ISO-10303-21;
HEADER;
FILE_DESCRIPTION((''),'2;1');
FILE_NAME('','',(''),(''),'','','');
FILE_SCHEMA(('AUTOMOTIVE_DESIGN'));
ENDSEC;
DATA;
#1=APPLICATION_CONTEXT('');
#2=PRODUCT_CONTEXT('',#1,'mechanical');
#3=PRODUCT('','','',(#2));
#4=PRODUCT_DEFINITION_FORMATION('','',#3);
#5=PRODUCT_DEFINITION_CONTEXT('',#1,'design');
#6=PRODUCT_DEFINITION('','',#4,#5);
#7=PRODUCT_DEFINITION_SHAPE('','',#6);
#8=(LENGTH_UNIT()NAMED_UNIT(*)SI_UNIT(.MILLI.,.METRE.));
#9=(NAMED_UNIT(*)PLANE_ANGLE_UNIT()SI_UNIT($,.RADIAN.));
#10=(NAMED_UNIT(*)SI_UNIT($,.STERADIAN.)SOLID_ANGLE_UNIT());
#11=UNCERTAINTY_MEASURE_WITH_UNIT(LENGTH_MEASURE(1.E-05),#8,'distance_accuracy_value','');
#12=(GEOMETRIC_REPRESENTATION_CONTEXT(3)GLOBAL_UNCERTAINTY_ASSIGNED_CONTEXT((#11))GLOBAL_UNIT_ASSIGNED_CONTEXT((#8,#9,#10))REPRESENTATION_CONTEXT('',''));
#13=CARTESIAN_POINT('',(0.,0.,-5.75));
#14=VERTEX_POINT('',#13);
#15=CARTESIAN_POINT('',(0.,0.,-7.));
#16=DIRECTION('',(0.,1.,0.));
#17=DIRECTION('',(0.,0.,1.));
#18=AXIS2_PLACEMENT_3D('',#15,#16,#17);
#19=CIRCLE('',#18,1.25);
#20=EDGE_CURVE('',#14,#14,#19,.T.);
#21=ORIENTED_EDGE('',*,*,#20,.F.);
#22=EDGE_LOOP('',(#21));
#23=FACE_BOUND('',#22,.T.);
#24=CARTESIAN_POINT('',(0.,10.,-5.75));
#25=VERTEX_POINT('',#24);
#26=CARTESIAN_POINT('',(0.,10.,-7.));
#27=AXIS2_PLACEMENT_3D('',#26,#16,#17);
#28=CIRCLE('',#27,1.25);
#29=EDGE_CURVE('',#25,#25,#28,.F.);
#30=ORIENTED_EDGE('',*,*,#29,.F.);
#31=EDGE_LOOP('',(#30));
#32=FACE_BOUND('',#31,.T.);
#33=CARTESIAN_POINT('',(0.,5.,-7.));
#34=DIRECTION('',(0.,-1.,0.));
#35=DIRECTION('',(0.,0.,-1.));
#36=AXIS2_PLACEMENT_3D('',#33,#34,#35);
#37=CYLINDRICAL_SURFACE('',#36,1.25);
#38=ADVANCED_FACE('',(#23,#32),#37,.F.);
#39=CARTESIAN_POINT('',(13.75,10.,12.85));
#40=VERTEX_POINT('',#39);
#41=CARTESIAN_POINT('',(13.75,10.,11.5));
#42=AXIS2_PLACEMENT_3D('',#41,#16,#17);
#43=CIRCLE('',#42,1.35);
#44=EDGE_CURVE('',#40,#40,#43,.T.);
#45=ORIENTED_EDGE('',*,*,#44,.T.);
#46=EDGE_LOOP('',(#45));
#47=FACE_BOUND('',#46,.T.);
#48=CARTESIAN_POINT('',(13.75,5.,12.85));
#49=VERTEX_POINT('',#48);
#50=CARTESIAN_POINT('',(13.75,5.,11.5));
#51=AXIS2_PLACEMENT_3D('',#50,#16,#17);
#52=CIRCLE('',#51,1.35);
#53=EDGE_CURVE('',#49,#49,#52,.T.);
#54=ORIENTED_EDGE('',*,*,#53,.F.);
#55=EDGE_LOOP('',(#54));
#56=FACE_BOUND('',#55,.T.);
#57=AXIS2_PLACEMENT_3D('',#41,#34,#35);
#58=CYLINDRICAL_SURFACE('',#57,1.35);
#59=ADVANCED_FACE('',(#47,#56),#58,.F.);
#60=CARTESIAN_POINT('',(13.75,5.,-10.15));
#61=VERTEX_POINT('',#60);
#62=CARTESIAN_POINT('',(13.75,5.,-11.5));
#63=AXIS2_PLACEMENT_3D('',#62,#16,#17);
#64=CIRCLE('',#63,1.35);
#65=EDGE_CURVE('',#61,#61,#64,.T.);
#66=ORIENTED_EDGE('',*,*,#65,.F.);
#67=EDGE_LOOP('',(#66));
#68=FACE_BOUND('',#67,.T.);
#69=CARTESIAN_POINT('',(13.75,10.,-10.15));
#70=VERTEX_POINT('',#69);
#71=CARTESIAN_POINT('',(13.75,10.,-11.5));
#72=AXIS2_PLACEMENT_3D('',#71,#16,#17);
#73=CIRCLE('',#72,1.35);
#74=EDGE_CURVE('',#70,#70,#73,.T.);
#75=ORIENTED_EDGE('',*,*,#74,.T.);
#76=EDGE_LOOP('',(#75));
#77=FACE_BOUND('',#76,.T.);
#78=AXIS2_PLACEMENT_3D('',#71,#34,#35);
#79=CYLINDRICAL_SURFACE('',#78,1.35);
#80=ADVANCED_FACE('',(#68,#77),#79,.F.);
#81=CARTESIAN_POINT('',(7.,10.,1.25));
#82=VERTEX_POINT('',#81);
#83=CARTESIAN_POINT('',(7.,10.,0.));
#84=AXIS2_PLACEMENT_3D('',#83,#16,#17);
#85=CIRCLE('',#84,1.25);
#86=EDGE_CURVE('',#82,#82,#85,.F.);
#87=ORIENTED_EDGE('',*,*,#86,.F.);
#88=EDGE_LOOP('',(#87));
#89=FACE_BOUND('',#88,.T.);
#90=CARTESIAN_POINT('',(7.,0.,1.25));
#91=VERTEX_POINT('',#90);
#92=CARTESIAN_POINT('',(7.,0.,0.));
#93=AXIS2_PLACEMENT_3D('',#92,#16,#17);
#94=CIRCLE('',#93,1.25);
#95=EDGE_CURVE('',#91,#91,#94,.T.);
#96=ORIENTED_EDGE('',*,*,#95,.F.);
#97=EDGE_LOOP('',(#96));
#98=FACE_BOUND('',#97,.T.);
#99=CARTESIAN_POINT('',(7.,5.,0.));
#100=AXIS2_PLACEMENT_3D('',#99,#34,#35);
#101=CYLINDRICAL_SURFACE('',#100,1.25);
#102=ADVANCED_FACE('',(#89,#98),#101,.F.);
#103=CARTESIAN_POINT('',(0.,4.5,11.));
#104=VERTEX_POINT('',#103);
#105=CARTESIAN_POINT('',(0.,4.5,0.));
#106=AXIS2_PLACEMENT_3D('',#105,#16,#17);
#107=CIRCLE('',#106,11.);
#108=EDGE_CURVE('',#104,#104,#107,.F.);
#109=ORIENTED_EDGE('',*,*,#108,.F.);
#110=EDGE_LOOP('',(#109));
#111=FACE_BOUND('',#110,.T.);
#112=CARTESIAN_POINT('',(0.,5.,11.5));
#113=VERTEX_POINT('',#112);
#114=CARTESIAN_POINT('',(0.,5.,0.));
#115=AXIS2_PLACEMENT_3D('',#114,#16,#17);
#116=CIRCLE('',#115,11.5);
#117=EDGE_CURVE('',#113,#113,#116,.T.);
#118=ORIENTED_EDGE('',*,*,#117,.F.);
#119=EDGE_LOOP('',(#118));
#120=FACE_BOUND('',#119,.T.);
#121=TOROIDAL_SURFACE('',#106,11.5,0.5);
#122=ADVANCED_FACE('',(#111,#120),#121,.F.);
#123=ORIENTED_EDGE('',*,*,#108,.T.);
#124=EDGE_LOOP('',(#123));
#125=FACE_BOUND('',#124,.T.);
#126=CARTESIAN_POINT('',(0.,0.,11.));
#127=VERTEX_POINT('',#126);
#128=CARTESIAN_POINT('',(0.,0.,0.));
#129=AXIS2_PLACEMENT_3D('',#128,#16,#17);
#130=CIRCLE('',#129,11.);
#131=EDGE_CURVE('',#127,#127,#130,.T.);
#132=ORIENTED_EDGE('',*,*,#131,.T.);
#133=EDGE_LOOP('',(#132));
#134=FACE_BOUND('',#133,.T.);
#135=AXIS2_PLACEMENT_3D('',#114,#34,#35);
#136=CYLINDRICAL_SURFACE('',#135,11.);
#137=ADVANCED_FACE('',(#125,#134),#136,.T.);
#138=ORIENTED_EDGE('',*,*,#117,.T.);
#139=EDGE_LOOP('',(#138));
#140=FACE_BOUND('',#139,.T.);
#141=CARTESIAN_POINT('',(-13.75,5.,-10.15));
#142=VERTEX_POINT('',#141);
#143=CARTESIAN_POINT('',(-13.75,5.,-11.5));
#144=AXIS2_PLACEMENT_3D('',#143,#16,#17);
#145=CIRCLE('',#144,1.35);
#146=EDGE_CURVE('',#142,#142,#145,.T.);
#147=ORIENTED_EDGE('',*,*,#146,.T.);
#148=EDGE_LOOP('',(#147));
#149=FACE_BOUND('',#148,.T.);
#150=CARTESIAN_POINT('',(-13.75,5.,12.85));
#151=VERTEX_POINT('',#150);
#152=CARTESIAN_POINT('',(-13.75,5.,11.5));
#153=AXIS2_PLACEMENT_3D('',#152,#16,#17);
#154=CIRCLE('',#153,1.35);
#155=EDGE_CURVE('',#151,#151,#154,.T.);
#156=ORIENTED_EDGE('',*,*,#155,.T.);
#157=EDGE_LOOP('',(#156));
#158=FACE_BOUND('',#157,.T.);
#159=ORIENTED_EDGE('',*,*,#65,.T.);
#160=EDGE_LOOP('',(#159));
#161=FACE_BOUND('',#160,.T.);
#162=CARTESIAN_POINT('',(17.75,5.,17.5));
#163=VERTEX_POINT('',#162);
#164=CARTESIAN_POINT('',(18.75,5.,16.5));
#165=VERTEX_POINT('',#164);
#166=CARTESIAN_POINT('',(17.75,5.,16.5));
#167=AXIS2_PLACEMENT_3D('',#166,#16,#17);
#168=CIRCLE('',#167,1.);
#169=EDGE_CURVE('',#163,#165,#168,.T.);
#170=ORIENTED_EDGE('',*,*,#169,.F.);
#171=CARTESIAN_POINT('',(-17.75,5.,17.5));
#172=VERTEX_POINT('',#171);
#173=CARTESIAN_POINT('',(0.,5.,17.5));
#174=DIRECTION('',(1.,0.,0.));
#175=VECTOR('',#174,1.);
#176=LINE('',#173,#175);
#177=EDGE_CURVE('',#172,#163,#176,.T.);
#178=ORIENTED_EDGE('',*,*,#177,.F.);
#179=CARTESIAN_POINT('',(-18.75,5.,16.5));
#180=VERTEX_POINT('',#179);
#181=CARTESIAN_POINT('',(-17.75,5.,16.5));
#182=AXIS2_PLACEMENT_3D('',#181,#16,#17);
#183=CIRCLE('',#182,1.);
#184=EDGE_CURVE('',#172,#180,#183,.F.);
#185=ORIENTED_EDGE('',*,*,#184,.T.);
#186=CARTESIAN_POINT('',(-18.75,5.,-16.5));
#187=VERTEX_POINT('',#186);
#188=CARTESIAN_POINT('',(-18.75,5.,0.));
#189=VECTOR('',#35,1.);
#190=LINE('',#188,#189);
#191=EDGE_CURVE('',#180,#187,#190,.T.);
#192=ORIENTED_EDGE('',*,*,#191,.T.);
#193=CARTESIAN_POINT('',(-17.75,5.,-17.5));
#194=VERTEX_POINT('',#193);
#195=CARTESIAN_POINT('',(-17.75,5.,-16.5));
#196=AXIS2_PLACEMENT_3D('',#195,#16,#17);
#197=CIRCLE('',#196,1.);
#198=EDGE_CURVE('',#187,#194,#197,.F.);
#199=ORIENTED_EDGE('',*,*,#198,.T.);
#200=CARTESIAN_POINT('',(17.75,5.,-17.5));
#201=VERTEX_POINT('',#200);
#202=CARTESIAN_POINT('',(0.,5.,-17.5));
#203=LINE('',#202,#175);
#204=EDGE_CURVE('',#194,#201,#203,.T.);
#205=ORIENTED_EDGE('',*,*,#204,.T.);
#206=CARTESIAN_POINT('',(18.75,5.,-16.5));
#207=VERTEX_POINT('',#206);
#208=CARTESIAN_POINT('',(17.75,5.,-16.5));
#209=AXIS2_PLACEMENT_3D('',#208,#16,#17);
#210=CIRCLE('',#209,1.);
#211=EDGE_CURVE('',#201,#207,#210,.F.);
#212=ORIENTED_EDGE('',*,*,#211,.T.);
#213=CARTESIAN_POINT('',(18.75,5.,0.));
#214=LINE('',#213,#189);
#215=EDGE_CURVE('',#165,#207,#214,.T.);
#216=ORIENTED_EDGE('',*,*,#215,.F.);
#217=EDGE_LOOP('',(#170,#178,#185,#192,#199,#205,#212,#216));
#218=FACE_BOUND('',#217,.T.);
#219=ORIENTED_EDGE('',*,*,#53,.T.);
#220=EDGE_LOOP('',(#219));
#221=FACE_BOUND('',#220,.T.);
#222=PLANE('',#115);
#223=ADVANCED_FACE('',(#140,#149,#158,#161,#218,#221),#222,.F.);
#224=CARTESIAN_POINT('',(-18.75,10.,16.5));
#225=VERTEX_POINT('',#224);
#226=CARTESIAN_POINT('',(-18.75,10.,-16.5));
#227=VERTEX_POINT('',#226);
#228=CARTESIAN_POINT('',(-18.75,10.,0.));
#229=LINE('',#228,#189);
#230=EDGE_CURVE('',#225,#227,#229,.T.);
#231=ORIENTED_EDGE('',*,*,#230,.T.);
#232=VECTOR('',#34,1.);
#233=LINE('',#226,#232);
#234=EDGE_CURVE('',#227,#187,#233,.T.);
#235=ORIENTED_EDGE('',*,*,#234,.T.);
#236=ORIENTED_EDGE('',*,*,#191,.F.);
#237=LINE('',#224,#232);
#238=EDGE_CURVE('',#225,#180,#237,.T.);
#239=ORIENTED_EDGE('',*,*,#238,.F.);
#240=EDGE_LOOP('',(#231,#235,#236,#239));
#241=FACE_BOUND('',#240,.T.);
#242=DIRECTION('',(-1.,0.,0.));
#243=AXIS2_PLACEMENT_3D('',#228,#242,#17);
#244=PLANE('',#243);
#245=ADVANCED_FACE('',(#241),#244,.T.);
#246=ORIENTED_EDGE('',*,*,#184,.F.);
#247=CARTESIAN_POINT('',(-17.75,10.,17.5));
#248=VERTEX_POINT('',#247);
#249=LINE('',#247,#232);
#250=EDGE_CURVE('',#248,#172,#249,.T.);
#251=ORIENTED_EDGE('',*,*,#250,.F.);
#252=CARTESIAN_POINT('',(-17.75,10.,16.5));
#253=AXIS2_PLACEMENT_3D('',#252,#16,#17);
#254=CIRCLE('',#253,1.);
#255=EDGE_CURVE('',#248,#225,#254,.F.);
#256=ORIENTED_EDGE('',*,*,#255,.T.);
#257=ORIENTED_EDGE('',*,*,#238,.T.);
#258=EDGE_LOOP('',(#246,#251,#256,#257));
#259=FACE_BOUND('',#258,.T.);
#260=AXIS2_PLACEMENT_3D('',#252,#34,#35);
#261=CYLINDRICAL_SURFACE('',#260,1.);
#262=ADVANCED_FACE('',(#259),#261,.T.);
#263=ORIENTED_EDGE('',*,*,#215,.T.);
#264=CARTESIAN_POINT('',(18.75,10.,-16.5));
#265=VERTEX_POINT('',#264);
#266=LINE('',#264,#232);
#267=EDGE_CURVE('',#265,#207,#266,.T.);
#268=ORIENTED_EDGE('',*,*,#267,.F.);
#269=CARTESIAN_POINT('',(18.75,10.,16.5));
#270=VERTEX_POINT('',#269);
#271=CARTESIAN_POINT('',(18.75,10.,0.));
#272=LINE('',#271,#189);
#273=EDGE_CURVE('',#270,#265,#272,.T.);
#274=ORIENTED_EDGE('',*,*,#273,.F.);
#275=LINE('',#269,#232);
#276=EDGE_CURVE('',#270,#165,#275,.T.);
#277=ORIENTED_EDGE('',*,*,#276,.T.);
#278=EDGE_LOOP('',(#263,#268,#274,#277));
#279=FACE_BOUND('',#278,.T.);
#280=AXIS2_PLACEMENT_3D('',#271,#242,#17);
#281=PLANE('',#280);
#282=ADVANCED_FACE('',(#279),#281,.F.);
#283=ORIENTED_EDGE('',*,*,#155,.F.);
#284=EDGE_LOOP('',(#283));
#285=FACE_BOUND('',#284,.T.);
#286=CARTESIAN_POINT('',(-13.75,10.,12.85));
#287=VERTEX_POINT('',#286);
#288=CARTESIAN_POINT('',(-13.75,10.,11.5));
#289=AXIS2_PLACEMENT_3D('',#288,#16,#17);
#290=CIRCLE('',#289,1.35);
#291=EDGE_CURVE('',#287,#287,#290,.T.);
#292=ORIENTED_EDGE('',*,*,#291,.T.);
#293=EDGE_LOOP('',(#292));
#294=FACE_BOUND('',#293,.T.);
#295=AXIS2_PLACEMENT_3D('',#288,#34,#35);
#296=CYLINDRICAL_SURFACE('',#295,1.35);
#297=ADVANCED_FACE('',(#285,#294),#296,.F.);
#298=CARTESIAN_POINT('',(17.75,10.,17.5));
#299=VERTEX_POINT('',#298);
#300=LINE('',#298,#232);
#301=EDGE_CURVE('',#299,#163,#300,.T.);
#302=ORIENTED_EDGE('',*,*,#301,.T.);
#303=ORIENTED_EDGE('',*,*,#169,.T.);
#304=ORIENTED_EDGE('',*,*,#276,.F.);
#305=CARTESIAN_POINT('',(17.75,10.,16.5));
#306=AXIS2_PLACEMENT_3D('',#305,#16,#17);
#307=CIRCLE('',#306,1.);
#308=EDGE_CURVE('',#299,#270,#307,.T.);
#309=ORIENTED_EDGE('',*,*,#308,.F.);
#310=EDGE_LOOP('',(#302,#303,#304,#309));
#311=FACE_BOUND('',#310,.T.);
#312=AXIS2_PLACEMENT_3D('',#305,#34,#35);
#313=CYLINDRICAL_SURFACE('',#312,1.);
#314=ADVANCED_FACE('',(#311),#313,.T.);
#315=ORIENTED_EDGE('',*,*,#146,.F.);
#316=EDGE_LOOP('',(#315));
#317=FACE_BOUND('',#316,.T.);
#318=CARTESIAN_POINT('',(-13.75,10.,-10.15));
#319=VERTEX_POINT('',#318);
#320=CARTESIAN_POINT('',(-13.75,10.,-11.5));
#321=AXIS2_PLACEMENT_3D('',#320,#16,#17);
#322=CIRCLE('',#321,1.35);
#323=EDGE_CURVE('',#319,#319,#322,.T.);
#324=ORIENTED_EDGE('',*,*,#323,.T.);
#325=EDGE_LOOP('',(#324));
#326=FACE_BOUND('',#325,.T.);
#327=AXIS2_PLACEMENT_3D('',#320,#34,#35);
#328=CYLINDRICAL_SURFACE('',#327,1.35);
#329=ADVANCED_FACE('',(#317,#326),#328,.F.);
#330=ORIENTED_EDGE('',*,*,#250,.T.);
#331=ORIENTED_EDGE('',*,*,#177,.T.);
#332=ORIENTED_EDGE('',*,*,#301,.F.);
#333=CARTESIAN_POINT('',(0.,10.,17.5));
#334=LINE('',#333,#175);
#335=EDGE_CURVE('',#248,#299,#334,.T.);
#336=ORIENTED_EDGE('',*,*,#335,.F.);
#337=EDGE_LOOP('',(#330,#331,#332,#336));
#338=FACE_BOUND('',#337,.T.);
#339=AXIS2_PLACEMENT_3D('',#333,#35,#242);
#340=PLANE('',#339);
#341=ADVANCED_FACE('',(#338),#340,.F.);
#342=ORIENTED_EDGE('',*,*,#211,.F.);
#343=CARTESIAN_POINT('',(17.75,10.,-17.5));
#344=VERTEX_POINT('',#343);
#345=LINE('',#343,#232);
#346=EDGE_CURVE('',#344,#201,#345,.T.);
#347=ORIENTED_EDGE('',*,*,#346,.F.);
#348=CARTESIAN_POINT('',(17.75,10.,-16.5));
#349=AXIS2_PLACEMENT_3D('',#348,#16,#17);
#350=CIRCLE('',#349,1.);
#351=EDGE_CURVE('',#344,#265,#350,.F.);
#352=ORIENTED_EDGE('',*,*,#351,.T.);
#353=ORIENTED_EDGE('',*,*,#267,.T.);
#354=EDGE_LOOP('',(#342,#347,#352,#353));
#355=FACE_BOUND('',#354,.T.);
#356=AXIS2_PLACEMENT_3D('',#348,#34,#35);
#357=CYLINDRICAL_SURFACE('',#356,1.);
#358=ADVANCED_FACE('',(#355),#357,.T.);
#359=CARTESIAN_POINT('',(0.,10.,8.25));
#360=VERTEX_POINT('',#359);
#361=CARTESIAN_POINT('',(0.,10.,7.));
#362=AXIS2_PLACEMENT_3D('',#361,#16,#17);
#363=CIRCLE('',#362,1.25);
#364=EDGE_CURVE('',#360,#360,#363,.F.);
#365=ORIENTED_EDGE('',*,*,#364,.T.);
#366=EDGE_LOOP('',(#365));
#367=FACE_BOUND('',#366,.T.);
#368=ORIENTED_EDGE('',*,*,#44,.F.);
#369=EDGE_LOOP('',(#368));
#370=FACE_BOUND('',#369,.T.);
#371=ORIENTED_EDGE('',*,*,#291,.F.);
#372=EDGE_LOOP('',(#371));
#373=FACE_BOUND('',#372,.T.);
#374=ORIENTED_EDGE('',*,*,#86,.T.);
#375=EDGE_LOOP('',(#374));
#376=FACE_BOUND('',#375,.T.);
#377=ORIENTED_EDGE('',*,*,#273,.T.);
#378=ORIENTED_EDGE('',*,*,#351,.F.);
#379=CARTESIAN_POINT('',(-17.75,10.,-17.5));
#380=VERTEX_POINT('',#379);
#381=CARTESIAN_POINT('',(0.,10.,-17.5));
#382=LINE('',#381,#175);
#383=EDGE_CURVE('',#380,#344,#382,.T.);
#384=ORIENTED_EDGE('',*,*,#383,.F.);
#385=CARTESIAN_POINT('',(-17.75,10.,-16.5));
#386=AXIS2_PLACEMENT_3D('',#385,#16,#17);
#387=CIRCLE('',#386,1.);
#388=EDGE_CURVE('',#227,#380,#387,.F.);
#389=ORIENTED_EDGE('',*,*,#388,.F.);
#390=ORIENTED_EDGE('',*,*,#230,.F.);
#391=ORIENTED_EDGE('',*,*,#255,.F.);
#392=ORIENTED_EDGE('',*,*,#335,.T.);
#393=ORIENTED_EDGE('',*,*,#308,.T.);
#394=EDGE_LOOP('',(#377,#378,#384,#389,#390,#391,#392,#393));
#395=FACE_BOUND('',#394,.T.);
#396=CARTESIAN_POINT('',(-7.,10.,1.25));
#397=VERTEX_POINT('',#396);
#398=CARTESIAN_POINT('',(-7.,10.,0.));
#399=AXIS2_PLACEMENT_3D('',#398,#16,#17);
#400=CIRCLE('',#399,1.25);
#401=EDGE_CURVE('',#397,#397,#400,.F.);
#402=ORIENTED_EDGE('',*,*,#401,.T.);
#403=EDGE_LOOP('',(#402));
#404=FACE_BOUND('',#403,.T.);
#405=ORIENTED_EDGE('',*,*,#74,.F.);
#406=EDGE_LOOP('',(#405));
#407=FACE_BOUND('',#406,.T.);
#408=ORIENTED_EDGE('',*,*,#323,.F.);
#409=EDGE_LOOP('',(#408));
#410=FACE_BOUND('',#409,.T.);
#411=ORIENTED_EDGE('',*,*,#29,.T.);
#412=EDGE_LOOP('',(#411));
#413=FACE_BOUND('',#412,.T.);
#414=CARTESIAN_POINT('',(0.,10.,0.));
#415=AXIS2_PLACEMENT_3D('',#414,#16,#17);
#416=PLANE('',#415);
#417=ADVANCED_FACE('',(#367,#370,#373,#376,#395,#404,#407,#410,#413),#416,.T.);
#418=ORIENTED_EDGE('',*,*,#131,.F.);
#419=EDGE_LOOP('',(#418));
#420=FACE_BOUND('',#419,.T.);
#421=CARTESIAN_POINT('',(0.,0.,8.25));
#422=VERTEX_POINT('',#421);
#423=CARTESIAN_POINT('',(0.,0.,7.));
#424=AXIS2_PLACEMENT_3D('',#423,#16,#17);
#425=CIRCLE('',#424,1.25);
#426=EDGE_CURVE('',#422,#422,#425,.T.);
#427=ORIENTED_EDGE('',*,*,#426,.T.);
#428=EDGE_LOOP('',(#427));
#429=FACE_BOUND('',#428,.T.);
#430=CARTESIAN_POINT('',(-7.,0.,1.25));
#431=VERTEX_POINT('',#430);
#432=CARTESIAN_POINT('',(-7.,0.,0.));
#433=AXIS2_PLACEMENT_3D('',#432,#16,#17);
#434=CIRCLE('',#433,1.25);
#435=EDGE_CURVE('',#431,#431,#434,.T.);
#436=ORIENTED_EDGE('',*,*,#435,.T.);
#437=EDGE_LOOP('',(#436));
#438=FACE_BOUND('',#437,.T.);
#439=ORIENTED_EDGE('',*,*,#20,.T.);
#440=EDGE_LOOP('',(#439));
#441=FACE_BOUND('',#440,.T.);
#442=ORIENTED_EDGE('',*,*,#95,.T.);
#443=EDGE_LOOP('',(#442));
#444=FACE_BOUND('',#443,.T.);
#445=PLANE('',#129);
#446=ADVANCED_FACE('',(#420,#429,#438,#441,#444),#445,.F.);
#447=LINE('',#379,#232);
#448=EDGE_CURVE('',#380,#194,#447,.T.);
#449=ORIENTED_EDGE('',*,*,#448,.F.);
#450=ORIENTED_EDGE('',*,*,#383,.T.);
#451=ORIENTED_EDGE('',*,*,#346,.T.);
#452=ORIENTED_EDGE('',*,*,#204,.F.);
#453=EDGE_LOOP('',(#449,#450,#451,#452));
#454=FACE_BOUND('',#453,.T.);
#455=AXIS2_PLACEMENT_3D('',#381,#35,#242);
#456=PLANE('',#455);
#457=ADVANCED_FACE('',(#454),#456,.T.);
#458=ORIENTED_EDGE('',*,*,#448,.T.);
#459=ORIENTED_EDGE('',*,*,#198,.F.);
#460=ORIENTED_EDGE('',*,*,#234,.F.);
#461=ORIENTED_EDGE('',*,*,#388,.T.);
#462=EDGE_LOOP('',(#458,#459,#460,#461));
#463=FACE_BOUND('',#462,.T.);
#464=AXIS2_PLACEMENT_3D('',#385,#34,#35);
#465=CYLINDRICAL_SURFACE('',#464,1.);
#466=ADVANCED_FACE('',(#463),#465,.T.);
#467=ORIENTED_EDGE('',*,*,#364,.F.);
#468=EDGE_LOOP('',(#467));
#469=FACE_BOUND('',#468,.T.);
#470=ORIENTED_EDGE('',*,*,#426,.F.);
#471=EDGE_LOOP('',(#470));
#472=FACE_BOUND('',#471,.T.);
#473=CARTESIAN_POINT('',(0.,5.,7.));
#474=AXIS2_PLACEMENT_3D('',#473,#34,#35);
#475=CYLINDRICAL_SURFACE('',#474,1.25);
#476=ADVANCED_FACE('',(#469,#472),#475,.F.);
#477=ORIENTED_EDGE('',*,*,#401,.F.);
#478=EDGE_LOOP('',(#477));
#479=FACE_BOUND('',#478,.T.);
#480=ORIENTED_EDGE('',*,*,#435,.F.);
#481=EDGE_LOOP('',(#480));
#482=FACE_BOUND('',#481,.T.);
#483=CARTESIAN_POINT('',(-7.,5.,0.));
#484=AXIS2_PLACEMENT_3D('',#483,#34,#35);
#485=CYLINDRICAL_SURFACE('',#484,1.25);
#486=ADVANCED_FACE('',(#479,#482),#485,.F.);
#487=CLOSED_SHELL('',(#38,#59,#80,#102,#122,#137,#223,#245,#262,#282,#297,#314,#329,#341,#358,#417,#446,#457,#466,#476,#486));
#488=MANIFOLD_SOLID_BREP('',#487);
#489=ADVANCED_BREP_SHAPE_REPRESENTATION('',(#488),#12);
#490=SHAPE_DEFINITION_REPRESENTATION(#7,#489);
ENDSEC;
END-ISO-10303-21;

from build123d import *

# Parameters (mm, degrees)
SKETCH1_R           = 11
SKETCH1_R_2         = 1.25
BOSS_EXTRUDE1_DEPTH = 5
SKETCH2_R           = 1.35
SKETCH2_R_2         = 1.25
BOSS_EXTRUDE2_DEPTH = 5
FILLET1_R           = 0.5


with BuildPart() as part:
    # Sketch1 → Boss-Extrude1 (new body)
    with BuildSketch(Plane(origin=(0, 0, 0), x_dir=(1, 0, 0), z_dir=(0, 1, 0))):
        with Locations(Location((0, 0, 0), (0, 0, 270))):
            Circle(SKETCH1_R)
        with Locations(Location((0, 7, 0), (0, 0, 270))):
            Circle(SKETCH1_R_2, mode=Mode.SUBTRACT)
        with Locations(Location((7, 0, 0), (0, 0, 270))):
            Circle(SKETCH1_R_2, mode=Mode.SUBTRACT)
        with Locations(Location((0, -7, 0), (0, 0, 270))):
            Circle(SKETCH1_R_2, mode=Mode.SUBTRACT)
        with Locations(Location((-7, 0, 0), (0, 0, 270))):
            Circle(SKETCH1_R_2, mode=Mode.SUBTRACT)
    extrude(amount=BOSS_EXTRUDE1_DEPTH)

    # Sketch2 → Boss-Extrude2 (add)
    with BuildSketch(Plane(origin=(0, 5, 0), x_dir=(1, 0, 0), z_dir=(0, 1, 0))):
        with BuildLine():
            ThreePointArc((-18.75, -16.5), (-18.457106781, -17.207106781), (-17.75, -17.5))
            Line((-17.75, -17.5), (17.75, -17.5))
            ThreePointArc((17.75, -17.5), (18.457106781, -17.207106781), (18.75, -16.5))
            Line((18.75, -16.5), (18.75, 16.5))
            ThreePointArc((18.75, 16.5), (18.457106781, 17.207106781), (17.75, 17.5))
            Line((17.75, 17.5), (-17.75, 17.5))
            ThreePointArc((-17.75, 17.5), (-18.457106781, 17.207106781), (-18.75, 16.5))
            Line((-18.75, 16.5), (-18.75, -16.5))
        make_face()
        with Locations(Location((-13.75, -11.5, 0), (0, 0, 270))):
            Circle(SKETCH2_R, mode=Mode.SUBTRACT)
        with Locations(Location((13.75, -11.5, 0), (0, 0, 270))):
            Circle(SKETCH2_R, mode=Mode.SUBTRACT)
        with Locations(Location((-13.75, 11.5, 0), (0, 0, 270))):
            Circle(SKETCH2_R, mode=Mode.SUBTRACT)
        with Locations(Location((13.75, 11.5, 0), (0, 0, 270))):
            Circle(SKETCH2_R, mode=Mode.SUBTRACT)
        with Locations(Location((0, 7, 0), (0, 0, 270))):
            Circle(SKETCH2_R_2, mode=Mode.SUBTRACT)
        with Locations(Location((0, -7, 0), (0, 0, 270))):
            Circle(SKETCH2_R_2, mode=Mode.SUBTRACT)
        with Locations(Location((-7, 0, 0), (0, 0, 270))):
            Circle(SKETCH2_R_2, mode=Mode.SUBTRACT)
        with Locations(Location((7, 0, 0), (0, 0, 270))):
            Circle(SKETCH2_R_2, mode=Mode.SUBTRACT)
    extrude(amount=BOSS_EXTRUDE2_DEPTH)

    # Fillet1
    fillet1_edges = [part.edges().sort_by_distance(p)[0] for p in [
        (0, 5, -11),
    ]]
    fillet(fillet1_edges, radius=FILLET1_R)


solid = part.part
